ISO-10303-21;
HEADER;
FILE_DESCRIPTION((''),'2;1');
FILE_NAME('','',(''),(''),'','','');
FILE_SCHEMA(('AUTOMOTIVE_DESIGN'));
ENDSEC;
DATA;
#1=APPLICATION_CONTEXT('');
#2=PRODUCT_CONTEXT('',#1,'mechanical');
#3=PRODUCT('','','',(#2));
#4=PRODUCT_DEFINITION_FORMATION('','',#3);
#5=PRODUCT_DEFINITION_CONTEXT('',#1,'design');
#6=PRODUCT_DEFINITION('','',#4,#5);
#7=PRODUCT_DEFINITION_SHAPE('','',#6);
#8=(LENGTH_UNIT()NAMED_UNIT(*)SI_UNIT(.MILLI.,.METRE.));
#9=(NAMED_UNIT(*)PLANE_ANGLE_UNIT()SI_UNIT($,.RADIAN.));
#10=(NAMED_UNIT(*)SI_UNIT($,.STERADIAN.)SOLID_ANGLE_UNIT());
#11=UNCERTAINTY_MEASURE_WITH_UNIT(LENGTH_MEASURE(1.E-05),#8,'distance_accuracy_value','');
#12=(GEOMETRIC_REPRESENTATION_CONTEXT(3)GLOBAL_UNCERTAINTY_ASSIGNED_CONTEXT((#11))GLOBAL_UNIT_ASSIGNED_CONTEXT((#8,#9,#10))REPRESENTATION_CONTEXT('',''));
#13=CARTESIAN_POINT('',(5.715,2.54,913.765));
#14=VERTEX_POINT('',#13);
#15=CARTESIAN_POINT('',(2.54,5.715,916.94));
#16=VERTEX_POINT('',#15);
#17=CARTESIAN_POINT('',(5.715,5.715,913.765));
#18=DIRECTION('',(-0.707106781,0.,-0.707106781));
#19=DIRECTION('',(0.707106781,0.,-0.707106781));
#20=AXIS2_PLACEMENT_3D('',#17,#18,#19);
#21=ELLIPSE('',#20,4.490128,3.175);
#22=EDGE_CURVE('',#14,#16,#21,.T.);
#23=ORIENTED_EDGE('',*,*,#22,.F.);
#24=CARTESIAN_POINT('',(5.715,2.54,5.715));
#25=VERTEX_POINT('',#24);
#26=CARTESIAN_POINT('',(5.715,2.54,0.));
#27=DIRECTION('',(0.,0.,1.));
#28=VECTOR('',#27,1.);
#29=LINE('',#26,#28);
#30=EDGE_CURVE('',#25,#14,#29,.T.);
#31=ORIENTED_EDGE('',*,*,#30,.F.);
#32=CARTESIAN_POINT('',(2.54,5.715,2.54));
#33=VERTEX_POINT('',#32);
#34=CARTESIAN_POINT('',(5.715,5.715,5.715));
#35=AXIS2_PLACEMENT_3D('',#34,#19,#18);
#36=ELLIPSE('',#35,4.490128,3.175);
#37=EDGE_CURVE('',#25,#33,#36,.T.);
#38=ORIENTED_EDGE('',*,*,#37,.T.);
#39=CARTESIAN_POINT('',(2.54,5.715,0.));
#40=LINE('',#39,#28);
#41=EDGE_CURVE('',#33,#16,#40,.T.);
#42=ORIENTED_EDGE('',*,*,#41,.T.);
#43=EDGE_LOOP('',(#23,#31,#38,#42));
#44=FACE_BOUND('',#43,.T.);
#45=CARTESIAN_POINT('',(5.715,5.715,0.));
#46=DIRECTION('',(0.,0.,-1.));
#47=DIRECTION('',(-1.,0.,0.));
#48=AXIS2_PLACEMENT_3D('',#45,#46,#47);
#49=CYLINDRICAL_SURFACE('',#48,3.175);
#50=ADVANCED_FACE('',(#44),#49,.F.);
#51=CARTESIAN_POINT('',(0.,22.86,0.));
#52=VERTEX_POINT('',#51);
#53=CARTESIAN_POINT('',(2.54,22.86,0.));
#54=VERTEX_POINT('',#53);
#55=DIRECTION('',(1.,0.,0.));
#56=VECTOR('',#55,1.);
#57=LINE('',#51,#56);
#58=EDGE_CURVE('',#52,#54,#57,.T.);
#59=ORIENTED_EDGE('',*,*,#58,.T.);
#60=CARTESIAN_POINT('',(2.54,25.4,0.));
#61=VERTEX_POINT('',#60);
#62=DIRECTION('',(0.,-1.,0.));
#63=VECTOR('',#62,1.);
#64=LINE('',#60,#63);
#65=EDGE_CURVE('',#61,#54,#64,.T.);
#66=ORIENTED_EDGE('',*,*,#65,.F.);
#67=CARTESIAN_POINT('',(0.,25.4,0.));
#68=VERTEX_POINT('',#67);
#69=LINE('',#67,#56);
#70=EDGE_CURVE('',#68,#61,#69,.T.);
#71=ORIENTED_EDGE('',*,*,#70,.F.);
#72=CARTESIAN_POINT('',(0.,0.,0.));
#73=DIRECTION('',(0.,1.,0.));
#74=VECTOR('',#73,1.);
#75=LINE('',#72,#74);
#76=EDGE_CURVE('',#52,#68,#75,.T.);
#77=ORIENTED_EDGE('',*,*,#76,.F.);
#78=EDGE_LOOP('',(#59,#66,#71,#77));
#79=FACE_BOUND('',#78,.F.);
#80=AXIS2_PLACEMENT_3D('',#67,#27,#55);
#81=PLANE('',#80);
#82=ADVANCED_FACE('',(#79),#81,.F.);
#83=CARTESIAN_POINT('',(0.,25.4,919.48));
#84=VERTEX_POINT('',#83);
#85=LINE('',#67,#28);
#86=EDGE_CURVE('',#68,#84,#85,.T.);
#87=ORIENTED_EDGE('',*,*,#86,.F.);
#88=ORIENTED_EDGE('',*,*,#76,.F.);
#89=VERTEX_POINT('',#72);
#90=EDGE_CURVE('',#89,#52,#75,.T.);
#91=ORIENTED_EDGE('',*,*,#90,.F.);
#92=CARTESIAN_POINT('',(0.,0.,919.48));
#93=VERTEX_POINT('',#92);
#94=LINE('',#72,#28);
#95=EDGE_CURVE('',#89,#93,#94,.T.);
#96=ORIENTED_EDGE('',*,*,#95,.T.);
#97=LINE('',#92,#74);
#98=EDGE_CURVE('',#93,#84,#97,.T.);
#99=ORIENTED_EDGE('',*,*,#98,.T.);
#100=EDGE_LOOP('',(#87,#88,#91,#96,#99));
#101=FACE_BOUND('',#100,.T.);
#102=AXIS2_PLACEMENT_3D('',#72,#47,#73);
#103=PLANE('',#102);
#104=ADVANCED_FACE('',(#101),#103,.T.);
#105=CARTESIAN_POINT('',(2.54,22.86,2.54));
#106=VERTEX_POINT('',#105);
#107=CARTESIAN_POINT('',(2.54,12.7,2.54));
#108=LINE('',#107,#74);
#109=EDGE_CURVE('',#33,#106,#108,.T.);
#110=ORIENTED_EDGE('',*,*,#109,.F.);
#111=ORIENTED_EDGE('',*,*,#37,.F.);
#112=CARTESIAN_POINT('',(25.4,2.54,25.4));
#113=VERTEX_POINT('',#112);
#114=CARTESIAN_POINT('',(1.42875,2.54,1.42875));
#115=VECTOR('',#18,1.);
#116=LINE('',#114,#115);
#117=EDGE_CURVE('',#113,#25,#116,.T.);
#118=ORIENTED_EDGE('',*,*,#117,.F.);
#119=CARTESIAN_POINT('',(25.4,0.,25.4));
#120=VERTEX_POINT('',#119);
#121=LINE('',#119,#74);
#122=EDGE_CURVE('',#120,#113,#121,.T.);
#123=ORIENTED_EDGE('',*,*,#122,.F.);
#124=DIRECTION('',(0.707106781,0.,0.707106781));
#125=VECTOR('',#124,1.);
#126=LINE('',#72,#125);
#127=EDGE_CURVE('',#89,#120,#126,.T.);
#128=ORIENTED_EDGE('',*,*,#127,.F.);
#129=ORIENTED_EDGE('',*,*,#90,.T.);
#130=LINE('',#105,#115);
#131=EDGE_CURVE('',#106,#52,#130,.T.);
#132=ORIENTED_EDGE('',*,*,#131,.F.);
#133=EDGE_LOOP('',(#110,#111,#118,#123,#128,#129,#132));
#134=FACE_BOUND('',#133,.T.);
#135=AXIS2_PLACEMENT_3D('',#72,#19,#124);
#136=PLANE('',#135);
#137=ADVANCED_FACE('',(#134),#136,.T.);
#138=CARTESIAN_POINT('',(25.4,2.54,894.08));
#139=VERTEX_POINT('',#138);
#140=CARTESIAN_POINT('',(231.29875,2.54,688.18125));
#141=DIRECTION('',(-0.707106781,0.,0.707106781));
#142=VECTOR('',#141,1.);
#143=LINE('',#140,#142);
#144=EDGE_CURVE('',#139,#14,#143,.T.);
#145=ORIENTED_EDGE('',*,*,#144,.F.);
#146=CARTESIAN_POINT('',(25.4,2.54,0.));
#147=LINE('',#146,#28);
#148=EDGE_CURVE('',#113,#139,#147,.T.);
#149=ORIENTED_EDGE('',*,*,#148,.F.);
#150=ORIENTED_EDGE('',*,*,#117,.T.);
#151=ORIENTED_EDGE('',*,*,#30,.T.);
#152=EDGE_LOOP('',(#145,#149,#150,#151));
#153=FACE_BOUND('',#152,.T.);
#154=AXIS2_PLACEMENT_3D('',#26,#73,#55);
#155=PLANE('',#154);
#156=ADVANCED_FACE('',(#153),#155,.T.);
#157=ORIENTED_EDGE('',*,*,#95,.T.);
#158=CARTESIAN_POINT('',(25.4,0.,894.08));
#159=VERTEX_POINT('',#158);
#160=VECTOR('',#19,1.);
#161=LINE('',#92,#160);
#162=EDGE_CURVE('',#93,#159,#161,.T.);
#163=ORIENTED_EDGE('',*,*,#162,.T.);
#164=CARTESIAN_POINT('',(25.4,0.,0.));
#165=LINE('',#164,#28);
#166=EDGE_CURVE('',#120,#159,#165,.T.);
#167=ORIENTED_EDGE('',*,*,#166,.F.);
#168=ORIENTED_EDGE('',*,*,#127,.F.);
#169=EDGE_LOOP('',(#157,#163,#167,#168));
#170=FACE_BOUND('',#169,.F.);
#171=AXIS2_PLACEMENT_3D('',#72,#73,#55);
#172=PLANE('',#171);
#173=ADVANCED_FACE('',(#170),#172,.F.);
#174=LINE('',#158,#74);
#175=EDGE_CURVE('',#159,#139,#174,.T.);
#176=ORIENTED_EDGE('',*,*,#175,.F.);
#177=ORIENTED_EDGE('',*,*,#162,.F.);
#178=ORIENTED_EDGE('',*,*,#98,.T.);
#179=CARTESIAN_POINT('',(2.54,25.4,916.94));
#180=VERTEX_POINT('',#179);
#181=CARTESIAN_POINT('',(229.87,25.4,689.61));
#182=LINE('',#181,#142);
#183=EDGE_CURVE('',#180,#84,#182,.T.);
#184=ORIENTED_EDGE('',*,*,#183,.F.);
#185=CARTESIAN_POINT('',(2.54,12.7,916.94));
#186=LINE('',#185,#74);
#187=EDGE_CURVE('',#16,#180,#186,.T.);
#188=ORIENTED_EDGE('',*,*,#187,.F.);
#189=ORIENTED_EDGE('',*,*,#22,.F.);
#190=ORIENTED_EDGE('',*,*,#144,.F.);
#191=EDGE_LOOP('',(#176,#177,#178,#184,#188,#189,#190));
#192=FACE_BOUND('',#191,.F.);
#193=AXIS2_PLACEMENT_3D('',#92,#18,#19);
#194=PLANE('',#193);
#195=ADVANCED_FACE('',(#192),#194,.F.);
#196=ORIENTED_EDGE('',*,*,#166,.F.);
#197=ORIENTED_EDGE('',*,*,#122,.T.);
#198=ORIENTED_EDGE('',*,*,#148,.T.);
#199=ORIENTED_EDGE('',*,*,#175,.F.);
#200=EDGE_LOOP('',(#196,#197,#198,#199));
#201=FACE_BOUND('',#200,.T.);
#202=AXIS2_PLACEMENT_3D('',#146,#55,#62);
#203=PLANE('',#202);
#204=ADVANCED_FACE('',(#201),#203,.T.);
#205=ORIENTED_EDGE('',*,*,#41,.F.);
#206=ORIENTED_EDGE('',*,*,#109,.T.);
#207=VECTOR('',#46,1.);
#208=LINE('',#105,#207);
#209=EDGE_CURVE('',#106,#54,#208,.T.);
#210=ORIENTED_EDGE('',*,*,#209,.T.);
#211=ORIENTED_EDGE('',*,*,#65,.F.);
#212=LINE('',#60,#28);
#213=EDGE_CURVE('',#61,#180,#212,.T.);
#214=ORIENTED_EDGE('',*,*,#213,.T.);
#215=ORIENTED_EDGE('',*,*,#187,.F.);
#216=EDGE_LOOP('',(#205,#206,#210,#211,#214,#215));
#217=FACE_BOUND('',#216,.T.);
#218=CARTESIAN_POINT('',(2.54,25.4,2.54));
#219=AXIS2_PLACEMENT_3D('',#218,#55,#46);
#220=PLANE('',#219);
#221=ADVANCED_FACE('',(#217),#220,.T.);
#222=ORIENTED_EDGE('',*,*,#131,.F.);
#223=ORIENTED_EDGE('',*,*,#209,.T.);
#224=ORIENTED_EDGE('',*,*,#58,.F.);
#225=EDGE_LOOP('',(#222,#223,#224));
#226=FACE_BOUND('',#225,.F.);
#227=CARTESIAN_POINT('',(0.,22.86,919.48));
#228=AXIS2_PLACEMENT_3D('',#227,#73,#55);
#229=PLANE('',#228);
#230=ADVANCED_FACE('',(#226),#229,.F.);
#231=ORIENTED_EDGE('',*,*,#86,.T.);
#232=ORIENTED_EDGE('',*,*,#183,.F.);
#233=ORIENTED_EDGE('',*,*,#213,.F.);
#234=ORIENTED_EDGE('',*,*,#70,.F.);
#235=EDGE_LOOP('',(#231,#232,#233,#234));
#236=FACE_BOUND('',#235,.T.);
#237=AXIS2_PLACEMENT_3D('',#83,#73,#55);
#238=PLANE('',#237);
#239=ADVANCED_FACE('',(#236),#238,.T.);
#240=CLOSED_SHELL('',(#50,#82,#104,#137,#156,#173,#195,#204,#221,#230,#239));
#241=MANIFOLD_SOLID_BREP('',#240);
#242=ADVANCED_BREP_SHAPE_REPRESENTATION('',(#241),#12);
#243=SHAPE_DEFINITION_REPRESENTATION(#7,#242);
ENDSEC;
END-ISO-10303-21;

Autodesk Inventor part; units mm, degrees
ref_plane "YZ Plane" through (0, 0, 0) normal (1, 0, 0) x (0, 1, 0)
ref_plane "XZ Plane" through (0, 0, 0) normal (0, 1, 0) x (-1, 0, 0)
ref_plane "XY Plane" through (0, 0, 0) normal (0, 0, 1) x (1, 0, 0)
sketch "Sketch1" plane through (0, 0, 0) normal (0, 0, 1) x (1, 0, 0)
  line L0 (0, 0) -> (0, 25.4)
  line L1 (0, 0) -> (25.4, 0)
  line L2 (2.54, 25.4) -> (2.54, 5.715)
  line L3 (5.715, 2.54) -> (25.4, 2.54)
  arc A0 (2.54, 5.715) -> (5.715, 2.54) centre (5.715, 5.715) ccw
  line L4 (0, 25.4) -> (2.54, 25.4)
  line L5 (25.4, 2.54) -> (25.4, 0)
  dimension "d0" = 25.4
  dimension "d1" = 25.4
  dimension "d2" = 2.54
  dimension "d3" = 3.175
extrude "Extrusion1" add sketch "Sketch1" along normal blind 919.48
sketch "Sketch2" plane through (0, 0, 0) normal (0, -1, 0) x (1, 0, 0)
  line L0 (25.4, 0) -> (0, 0) projected
  line L1 (25.4, 0) -> (25.4, 919.48) projected
  line L2 (0, 919.48) -> (25.4, 919.48) projected
  line L3 (0, 919.48) -> (25.4, 894.08)
  line L4 (0, 919.48) -> (60.2005, 919.48) construction
  line L5 (0, 0) -> (25.4, 25.4)
  line L6 (0, 0) -> (85.1364, 0) construction
  dimension "d6" = 45
  dimension "d7" = 45
extrude "Extrusion2" cut sketch "Sketch2" against normal blind 914.4
sketch "Sketch3" plane through (0, 25.4, 919.48) normal (0, 1, 0) x (1, 0, 0)
  line L0 (2.54, 916.94) -> (0, 919.48) projected
  line L1 (2.54, 916.94) -> (2.54, 2.54) projected
  line L2 (0, 919.48) -> (2.54, 919.48)
  line L3 (2.54, 916.94) -> (2.54, 919.48)
extrude "Extrusion3" add sketch "Sketch3" against normal blind 2.54
equation "\"d0\" = hubAngleWidth1"
equation "\"d1\" = hubAngleWidth2"
equation "\"d2\" = hubAngleThickness"
equation "\"d3\" = 1.25 * hubAngleThickness"
equation "\"d4\" = hubOuterDiam + 2 * hubAngleThickness"
equation "\"hubOuterDiam\" = 914.4"
equation "\"hubInnerDiam\" = 457.2"
equation "\"hubRingThickness\" = 1.524"
equation "\"hubAngleThickness\" = 2.54"
equation "\"hubAngleWidth1\" = 25.4"
equation "\"hubAngleWidth2\" = 25.4"
properties part number "hubRingJigOuter"
